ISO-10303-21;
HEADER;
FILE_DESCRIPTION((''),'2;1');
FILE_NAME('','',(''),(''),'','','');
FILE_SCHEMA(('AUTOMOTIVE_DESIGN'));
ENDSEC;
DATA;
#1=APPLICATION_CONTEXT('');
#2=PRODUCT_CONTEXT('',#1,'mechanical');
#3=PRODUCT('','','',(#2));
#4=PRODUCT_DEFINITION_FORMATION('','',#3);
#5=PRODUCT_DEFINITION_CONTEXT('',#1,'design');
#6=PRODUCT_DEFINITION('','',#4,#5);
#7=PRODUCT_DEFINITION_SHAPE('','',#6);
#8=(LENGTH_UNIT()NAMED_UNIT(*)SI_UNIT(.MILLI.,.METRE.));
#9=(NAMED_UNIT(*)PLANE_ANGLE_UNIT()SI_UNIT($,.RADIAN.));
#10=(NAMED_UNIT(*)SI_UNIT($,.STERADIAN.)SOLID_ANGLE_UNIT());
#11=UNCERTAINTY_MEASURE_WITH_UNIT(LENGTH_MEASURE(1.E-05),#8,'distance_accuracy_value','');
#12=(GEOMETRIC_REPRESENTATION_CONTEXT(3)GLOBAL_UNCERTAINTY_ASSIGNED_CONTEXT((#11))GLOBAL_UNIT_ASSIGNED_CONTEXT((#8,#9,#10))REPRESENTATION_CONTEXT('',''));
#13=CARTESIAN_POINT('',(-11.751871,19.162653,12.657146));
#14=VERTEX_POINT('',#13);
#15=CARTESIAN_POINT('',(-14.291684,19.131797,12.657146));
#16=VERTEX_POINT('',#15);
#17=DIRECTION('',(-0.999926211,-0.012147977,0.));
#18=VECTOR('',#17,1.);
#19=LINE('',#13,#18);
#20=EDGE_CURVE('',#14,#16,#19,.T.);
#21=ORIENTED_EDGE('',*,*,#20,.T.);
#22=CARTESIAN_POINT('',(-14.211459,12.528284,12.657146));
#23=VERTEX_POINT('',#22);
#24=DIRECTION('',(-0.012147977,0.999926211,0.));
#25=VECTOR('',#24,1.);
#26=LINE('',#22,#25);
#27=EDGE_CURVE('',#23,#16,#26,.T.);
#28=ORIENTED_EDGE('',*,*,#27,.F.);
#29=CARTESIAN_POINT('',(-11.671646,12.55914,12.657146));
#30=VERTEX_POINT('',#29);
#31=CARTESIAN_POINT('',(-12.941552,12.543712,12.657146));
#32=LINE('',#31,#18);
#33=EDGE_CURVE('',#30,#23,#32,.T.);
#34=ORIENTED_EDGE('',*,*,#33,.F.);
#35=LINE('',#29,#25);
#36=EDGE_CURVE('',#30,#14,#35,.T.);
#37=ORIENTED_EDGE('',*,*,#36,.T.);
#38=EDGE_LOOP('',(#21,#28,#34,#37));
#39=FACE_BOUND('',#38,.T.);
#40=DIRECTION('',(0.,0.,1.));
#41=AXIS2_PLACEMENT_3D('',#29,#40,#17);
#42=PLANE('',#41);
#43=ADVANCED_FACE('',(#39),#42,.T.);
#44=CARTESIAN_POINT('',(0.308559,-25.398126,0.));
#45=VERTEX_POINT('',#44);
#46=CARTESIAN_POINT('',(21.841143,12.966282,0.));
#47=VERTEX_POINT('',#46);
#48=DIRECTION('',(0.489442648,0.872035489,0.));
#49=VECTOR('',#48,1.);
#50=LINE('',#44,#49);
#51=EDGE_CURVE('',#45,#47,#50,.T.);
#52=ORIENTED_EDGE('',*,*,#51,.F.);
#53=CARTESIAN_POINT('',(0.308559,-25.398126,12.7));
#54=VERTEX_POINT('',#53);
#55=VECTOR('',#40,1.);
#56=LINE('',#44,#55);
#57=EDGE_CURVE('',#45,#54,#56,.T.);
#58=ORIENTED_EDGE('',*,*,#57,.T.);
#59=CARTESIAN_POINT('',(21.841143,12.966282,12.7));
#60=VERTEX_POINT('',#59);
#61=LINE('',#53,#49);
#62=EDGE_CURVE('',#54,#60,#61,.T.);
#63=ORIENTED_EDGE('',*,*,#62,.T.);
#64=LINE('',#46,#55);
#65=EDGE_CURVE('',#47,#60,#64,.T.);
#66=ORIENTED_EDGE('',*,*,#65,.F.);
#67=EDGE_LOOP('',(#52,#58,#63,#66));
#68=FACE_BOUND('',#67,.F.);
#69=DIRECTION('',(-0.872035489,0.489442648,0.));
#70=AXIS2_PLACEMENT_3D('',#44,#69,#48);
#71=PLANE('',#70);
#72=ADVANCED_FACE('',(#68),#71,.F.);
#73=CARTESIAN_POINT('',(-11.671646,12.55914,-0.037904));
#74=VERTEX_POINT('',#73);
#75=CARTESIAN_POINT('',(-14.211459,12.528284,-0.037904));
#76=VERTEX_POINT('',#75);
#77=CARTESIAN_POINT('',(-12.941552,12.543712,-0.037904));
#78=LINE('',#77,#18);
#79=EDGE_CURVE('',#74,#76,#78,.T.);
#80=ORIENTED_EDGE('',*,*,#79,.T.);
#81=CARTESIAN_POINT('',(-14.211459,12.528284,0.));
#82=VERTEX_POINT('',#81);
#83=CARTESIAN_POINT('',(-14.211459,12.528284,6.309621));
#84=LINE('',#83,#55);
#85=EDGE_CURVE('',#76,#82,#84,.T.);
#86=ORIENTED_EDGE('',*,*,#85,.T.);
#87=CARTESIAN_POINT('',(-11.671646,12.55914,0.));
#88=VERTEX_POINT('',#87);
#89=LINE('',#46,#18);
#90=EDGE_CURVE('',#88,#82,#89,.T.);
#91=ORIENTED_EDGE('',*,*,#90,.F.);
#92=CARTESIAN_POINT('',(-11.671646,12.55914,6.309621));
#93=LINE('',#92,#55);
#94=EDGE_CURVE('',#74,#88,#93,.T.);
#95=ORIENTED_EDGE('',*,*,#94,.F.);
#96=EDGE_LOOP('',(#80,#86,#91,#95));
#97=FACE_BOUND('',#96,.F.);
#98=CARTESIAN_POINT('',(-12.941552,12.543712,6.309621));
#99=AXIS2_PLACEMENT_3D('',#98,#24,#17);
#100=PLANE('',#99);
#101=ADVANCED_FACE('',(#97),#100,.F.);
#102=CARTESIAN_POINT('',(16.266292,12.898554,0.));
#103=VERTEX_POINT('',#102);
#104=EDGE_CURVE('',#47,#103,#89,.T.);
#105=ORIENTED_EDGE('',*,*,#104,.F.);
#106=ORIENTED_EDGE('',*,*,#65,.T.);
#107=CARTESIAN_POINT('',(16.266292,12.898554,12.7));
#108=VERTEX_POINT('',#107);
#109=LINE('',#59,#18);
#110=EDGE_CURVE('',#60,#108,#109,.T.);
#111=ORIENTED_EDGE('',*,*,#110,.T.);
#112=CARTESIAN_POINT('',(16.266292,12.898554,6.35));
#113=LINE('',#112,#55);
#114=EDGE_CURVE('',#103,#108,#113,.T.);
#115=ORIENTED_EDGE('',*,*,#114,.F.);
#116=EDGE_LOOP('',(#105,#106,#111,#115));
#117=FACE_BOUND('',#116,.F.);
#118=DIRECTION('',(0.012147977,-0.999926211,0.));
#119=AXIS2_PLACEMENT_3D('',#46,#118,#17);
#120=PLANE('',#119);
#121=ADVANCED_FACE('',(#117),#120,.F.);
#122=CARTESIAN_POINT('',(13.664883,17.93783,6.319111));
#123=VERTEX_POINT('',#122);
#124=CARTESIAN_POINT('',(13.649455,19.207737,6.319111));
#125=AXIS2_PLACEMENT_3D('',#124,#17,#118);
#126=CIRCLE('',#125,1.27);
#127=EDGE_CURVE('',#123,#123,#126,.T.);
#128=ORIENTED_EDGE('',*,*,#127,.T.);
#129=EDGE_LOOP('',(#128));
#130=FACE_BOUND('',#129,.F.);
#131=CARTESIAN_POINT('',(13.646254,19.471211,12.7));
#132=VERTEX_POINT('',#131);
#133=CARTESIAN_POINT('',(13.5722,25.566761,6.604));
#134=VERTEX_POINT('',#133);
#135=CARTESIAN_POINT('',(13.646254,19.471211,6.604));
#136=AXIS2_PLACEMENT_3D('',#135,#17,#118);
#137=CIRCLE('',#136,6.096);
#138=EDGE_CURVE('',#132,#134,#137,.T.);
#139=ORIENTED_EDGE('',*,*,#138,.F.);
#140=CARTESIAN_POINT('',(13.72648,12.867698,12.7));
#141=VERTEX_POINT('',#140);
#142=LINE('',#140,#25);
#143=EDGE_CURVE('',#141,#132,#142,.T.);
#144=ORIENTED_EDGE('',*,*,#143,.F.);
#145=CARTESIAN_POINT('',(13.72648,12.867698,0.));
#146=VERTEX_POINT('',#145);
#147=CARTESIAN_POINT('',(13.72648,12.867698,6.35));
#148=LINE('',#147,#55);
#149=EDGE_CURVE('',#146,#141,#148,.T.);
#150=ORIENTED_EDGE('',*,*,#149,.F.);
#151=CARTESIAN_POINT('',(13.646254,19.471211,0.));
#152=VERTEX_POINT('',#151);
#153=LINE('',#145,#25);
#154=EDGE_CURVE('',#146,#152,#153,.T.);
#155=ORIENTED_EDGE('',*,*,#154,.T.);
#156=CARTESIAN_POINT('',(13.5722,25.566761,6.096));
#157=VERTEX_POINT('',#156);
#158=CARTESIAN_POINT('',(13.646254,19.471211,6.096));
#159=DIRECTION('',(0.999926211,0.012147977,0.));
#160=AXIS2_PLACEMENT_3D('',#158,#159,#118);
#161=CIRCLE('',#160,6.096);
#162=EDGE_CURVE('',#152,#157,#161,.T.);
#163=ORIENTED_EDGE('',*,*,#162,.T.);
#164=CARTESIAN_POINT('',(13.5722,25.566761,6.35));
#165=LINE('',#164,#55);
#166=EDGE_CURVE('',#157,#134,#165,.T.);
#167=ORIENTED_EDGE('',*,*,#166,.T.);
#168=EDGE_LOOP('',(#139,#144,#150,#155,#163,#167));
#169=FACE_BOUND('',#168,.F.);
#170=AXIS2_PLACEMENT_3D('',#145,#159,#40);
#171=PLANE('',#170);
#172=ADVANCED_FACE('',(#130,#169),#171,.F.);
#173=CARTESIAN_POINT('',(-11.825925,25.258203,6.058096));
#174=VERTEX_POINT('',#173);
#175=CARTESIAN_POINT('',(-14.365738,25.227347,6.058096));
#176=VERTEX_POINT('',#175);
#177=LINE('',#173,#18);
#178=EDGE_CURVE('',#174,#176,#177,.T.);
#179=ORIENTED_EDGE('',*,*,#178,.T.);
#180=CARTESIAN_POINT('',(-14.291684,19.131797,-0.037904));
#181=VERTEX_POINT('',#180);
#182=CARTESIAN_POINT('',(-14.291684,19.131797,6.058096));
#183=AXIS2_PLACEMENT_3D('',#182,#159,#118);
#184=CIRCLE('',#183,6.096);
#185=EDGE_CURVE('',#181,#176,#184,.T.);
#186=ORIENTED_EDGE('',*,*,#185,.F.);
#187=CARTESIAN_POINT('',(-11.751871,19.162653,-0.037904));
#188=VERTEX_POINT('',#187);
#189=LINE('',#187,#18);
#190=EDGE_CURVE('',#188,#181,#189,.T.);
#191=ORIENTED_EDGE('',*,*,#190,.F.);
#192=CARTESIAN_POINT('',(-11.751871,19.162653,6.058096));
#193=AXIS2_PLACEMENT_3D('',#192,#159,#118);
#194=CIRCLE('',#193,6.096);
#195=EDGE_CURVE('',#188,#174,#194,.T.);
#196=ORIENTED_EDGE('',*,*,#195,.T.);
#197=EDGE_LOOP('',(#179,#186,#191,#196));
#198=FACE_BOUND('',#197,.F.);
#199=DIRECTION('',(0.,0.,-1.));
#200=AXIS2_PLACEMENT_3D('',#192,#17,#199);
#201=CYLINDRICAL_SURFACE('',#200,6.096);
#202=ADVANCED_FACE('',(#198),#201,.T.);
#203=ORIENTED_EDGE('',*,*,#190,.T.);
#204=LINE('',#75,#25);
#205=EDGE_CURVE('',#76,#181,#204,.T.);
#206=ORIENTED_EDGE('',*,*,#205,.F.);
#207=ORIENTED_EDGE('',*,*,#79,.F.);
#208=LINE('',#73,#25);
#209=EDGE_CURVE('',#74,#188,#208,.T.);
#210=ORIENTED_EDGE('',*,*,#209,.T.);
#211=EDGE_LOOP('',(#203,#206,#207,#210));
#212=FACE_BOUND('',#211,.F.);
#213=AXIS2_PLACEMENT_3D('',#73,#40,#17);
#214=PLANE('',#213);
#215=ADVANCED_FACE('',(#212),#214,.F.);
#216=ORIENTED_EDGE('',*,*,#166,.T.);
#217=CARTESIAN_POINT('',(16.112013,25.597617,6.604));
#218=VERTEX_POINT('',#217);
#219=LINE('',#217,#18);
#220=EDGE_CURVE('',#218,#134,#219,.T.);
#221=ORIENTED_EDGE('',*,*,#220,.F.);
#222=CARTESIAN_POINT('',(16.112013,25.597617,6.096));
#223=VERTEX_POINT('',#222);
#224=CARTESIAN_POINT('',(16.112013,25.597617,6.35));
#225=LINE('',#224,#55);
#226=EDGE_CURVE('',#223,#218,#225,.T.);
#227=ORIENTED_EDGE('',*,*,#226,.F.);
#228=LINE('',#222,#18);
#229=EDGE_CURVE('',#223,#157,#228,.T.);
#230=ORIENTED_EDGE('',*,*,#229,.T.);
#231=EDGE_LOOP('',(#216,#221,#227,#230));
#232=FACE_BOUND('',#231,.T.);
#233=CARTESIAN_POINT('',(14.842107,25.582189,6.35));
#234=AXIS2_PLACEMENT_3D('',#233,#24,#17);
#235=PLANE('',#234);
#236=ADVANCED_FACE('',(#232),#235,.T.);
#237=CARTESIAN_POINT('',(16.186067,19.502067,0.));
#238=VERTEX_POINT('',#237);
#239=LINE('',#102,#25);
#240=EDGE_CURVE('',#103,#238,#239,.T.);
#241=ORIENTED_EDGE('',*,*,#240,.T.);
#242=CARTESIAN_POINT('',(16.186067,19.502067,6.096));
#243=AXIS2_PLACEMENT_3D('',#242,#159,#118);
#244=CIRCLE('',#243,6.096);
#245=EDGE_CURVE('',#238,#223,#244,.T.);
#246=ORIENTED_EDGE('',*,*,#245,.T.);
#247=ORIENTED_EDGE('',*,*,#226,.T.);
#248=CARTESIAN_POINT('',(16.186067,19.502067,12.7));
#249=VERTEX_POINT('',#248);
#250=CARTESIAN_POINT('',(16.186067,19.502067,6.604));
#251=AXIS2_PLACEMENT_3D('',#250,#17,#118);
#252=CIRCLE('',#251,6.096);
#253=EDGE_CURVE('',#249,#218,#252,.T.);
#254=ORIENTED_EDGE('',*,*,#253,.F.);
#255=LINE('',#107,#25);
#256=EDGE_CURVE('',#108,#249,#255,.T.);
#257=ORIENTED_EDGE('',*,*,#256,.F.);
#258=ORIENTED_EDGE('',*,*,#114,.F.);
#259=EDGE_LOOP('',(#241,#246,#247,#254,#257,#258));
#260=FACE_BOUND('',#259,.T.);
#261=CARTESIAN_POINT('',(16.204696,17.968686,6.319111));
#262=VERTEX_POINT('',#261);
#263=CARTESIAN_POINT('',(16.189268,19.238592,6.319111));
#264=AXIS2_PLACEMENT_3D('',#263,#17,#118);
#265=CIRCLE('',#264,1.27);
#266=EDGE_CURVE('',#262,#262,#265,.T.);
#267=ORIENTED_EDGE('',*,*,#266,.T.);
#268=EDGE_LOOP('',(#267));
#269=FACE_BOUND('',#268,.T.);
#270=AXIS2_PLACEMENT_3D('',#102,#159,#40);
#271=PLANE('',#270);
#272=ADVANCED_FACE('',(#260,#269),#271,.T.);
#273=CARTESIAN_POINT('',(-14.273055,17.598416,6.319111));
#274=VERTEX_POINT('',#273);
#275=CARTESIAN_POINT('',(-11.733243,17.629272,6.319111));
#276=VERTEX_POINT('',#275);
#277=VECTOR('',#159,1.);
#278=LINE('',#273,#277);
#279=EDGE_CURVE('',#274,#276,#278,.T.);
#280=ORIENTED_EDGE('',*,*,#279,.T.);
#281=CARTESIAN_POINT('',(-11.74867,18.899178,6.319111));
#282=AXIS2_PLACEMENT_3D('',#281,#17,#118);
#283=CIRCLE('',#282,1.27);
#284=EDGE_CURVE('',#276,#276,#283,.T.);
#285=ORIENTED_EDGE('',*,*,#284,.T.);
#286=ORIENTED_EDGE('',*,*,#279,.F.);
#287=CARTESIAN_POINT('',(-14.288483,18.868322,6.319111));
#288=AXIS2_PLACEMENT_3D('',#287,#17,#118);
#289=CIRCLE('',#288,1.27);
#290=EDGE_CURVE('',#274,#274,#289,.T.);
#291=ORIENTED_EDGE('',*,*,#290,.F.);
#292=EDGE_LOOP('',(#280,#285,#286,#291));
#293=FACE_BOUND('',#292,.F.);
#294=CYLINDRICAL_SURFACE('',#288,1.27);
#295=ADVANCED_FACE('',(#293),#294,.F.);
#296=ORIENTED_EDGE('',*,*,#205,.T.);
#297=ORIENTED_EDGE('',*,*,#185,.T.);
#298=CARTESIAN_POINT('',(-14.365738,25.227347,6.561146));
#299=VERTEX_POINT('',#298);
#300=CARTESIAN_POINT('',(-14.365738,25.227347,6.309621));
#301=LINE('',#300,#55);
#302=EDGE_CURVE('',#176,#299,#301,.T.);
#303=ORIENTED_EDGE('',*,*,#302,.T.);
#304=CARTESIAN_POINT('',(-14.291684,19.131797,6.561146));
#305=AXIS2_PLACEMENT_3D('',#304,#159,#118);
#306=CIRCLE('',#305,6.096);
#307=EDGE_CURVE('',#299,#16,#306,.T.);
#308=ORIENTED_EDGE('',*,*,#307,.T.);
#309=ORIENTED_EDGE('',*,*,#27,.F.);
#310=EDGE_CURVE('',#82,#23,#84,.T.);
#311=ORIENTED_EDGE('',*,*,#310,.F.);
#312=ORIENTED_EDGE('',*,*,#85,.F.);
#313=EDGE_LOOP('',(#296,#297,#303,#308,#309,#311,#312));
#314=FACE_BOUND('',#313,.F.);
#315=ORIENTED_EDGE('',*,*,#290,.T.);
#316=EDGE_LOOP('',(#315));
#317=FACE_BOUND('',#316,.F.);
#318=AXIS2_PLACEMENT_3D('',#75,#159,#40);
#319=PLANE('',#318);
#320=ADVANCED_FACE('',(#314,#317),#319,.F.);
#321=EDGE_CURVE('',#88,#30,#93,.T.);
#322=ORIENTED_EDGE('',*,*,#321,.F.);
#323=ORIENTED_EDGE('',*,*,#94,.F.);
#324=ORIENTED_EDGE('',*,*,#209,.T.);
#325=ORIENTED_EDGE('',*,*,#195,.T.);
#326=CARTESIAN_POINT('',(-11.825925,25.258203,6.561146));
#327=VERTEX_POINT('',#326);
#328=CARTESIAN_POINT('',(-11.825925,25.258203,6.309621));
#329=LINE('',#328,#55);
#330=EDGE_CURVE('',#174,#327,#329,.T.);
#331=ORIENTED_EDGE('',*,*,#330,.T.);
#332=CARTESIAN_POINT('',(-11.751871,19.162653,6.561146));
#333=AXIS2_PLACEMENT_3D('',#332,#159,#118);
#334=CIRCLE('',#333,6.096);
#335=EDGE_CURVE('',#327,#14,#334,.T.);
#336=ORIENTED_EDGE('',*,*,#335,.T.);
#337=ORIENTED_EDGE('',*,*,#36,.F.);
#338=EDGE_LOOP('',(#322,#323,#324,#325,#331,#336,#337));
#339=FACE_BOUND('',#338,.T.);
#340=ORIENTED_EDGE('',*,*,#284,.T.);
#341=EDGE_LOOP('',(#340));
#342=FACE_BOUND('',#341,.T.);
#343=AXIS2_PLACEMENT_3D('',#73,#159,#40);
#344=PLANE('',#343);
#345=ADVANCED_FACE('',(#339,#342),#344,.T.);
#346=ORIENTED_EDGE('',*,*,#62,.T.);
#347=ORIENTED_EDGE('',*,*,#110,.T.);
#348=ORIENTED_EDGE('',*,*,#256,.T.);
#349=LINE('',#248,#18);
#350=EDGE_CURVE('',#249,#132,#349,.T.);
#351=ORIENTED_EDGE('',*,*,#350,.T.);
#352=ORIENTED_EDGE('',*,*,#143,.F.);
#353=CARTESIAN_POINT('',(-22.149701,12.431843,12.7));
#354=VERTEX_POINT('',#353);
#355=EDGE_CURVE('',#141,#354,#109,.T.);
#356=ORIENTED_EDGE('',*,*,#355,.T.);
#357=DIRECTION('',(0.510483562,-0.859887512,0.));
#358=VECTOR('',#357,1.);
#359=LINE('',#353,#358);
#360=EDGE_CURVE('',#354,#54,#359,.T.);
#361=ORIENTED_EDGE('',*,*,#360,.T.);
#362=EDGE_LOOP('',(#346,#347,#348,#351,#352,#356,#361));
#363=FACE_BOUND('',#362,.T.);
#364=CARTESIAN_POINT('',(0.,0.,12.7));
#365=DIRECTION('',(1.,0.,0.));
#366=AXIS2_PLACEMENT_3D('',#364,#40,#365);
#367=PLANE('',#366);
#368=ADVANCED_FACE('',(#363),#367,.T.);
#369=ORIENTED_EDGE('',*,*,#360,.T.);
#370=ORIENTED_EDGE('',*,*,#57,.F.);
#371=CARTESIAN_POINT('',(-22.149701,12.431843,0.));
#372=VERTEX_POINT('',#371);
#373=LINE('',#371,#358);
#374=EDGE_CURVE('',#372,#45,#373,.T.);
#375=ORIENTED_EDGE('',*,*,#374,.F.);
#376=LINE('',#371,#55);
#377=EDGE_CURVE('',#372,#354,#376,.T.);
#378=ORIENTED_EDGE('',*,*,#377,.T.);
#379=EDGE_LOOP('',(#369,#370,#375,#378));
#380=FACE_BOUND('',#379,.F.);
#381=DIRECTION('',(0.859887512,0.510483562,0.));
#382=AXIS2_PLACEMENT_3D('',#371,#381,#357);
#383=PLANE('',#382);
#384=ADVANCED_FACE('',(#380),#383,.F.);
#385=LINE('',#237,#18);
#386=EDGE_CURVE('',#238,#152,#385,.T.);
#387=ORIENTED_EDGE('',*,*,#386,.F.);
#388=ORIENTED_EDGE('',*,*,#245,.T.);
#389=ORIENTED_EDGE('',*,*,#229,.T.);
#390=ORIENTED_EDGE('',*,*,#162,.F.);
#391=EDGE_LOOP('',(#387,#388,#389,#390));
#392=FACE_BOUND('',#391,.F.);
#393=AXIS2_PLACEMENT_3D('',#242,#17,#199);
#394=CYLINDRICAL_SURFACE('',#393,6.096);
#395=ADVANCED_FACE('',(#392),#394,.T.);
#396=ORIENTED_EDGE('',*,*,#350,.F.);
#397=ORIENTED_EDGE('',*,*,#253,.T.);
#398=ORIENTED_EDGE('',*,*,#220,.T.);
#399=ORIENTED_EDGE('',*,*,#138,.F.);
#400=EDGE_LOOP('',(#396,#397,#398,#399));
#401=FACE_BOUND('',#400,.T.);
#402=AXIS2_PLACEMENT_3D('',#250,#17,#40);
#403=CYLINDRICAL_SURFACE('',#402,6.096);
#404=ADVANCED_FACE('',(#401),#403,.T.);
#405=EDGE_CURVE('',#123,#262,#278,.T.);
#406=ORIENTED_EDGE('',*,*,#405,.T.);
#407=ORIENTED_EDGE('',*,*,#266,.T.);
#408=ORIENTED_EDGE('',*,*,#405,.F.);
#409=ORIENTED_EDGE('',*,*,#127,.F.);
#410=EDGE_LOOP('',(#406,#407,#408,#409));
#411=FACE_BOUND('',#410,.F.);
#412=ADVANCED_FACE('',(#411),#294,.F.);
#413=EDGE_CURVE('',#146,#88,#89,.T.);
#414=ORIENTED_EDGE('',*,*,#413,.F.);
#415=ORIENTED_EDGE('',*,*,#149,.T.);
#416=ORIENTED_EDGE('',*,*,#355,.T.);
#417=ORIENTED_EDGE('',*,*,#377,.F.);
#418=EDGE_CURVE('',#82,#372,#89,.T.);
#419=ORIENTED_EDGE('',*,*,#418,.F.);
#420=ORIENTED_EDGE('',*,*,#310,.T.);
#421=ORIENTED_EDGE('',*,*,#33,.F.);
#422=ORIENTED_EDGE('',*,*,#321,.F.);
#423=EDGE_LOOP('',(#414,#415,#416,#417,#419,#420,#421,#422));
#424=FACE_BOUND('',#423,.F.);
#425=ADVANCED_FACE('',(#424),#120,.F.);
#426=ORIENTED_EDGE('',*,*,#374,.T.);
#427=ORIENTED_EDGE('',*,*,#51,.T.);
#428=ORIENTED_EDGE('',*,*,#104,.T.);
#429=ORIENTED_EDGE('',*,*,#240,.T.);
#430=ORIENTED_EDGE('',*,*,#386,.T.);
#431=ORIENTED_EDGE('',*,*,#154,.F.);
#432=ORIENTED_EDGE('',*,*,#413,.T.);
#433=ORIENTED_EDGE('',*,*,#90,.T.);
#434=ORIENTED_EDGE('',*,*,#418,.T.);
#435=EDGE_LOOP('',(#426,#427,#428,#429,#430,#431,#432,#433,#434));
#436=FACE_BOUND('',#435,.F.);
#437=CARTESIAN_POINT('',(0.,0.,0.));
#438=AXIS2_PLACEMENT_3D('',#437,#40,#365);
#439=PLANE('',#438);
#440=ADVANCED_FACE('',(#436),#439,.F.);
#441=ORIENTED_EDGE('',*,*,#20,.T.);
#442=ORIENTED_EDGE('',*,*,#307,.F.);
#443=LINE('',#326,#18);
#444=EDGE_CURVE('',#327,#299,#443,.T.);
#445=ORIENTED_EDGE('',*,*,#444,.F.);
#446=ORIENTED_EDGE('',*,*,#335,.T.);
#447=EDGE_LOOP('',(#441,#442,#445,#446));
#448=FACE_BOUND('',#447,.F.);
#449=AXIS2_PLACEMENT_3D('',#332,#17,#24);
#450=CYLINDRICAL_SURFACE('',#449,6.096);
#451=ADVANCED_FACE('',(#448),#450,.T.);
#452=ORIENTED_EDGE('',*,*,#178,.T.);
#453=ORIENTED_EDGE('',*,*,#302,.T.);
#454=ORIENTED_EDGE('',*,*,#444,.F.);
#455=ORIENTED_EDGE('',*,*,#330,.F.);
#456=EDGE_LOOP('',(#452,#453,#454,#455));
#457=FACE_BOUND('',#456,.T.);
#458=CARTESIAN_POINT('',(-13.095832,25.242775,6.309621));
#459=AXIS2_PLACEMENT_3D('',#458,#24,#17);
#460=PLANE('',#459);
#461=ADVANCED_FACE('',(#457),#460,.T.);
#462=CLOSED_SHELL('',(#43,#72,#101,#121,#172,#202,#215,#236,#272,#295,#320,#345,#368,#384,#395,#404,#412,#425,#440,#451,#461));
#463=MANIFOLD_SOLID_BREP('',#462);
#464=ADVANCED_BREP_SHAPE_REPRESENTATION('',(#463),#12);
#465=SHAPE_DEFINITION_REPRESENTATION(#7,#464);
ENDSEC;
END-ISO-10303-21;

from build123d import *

# Parameters (mm, degrees)
F1_DEPTH = 12.7
F4_DEPTH = 12.7
F5_W     = 2.54
F5_H     = 12.7
F5_H_2   = 12.6950503836
F6_DEPTH = 12.7
F7_R     = 1.27
F8_DEPTH = 41.148
F9_R     = 6.096
F10_R    = 6.096


with BuildPart() as f1:
    # F0 (on Top) → F1 (new body)
    with BuildSketch(Plane.XY):
        Polygon((16.375921394, 19.4162096841), (-25.0028915287, 4.4738590955), (8.6269701347, -23.8900687796), align=None)
    extrude(amount=F1_DEPTH)


with BuildPart() as f4:
    # F3 (on Top) → F4 (new body)
    with BuildSketch(Plane.XY):
        Polygon((0.3085586267, -25.3981257492), (21.841142794, 12.9662824839), (-22.1497014207, 12.4318432653), align=None)
    extrude(amount=F4_DEPTH)

    # F5 (on face) → F6 (join)
    with BuildSketch(Plane(origin=(-0.1542793134, 12.6990628746, 0), x_dir=(-0.9999262106, -0.0121479774, 0), z_dir=(-0.0121479774, 0.9999262106, 0))):
        with Locations((-15.151783279, 6.35)):
            Rectangle(F5_W, F5_H)
        with Locations((12.788216721, 6.3096207778)):
            Rectangle(F5_W, F5_H_2)
    extrude(amount=F6_DEPTH)

    # F7 (on face) → F8 (cut)
    with BuildSketch(Plane(origin=(-14.0571793737, -0.1707788994, 0), x_dir=(0.0121479774, -0.9999262106, 0), z_dir=(-0.9999262106, -0.0121479774, 0))):
        with Locations((-19.0405060285, 6.3191110491)):
            Circle(F7_R)
    extrude(amount=-F8_DEPTH, mode=Mode.SUBTRACT)

    # F9
    f9_edges = [f4.edges().sort_by_distance(p)[0] for p in [
        (-13.095832, 25.242775, 12.657146),
        (-13.095832, 25.242775, -0.037904),
    ]]
    fillet(f9_edges, radius=F9_R)

    # F10
    f10_edges = [f4.edges().sort_by_distance(p)[0] for p in [
        (14.842107, 25.582189, 12.7),
        (14.842107, 25.582189, 0),
    ]]
    fillet(f10_edges, radius=F10_R)


solid = f4.part
